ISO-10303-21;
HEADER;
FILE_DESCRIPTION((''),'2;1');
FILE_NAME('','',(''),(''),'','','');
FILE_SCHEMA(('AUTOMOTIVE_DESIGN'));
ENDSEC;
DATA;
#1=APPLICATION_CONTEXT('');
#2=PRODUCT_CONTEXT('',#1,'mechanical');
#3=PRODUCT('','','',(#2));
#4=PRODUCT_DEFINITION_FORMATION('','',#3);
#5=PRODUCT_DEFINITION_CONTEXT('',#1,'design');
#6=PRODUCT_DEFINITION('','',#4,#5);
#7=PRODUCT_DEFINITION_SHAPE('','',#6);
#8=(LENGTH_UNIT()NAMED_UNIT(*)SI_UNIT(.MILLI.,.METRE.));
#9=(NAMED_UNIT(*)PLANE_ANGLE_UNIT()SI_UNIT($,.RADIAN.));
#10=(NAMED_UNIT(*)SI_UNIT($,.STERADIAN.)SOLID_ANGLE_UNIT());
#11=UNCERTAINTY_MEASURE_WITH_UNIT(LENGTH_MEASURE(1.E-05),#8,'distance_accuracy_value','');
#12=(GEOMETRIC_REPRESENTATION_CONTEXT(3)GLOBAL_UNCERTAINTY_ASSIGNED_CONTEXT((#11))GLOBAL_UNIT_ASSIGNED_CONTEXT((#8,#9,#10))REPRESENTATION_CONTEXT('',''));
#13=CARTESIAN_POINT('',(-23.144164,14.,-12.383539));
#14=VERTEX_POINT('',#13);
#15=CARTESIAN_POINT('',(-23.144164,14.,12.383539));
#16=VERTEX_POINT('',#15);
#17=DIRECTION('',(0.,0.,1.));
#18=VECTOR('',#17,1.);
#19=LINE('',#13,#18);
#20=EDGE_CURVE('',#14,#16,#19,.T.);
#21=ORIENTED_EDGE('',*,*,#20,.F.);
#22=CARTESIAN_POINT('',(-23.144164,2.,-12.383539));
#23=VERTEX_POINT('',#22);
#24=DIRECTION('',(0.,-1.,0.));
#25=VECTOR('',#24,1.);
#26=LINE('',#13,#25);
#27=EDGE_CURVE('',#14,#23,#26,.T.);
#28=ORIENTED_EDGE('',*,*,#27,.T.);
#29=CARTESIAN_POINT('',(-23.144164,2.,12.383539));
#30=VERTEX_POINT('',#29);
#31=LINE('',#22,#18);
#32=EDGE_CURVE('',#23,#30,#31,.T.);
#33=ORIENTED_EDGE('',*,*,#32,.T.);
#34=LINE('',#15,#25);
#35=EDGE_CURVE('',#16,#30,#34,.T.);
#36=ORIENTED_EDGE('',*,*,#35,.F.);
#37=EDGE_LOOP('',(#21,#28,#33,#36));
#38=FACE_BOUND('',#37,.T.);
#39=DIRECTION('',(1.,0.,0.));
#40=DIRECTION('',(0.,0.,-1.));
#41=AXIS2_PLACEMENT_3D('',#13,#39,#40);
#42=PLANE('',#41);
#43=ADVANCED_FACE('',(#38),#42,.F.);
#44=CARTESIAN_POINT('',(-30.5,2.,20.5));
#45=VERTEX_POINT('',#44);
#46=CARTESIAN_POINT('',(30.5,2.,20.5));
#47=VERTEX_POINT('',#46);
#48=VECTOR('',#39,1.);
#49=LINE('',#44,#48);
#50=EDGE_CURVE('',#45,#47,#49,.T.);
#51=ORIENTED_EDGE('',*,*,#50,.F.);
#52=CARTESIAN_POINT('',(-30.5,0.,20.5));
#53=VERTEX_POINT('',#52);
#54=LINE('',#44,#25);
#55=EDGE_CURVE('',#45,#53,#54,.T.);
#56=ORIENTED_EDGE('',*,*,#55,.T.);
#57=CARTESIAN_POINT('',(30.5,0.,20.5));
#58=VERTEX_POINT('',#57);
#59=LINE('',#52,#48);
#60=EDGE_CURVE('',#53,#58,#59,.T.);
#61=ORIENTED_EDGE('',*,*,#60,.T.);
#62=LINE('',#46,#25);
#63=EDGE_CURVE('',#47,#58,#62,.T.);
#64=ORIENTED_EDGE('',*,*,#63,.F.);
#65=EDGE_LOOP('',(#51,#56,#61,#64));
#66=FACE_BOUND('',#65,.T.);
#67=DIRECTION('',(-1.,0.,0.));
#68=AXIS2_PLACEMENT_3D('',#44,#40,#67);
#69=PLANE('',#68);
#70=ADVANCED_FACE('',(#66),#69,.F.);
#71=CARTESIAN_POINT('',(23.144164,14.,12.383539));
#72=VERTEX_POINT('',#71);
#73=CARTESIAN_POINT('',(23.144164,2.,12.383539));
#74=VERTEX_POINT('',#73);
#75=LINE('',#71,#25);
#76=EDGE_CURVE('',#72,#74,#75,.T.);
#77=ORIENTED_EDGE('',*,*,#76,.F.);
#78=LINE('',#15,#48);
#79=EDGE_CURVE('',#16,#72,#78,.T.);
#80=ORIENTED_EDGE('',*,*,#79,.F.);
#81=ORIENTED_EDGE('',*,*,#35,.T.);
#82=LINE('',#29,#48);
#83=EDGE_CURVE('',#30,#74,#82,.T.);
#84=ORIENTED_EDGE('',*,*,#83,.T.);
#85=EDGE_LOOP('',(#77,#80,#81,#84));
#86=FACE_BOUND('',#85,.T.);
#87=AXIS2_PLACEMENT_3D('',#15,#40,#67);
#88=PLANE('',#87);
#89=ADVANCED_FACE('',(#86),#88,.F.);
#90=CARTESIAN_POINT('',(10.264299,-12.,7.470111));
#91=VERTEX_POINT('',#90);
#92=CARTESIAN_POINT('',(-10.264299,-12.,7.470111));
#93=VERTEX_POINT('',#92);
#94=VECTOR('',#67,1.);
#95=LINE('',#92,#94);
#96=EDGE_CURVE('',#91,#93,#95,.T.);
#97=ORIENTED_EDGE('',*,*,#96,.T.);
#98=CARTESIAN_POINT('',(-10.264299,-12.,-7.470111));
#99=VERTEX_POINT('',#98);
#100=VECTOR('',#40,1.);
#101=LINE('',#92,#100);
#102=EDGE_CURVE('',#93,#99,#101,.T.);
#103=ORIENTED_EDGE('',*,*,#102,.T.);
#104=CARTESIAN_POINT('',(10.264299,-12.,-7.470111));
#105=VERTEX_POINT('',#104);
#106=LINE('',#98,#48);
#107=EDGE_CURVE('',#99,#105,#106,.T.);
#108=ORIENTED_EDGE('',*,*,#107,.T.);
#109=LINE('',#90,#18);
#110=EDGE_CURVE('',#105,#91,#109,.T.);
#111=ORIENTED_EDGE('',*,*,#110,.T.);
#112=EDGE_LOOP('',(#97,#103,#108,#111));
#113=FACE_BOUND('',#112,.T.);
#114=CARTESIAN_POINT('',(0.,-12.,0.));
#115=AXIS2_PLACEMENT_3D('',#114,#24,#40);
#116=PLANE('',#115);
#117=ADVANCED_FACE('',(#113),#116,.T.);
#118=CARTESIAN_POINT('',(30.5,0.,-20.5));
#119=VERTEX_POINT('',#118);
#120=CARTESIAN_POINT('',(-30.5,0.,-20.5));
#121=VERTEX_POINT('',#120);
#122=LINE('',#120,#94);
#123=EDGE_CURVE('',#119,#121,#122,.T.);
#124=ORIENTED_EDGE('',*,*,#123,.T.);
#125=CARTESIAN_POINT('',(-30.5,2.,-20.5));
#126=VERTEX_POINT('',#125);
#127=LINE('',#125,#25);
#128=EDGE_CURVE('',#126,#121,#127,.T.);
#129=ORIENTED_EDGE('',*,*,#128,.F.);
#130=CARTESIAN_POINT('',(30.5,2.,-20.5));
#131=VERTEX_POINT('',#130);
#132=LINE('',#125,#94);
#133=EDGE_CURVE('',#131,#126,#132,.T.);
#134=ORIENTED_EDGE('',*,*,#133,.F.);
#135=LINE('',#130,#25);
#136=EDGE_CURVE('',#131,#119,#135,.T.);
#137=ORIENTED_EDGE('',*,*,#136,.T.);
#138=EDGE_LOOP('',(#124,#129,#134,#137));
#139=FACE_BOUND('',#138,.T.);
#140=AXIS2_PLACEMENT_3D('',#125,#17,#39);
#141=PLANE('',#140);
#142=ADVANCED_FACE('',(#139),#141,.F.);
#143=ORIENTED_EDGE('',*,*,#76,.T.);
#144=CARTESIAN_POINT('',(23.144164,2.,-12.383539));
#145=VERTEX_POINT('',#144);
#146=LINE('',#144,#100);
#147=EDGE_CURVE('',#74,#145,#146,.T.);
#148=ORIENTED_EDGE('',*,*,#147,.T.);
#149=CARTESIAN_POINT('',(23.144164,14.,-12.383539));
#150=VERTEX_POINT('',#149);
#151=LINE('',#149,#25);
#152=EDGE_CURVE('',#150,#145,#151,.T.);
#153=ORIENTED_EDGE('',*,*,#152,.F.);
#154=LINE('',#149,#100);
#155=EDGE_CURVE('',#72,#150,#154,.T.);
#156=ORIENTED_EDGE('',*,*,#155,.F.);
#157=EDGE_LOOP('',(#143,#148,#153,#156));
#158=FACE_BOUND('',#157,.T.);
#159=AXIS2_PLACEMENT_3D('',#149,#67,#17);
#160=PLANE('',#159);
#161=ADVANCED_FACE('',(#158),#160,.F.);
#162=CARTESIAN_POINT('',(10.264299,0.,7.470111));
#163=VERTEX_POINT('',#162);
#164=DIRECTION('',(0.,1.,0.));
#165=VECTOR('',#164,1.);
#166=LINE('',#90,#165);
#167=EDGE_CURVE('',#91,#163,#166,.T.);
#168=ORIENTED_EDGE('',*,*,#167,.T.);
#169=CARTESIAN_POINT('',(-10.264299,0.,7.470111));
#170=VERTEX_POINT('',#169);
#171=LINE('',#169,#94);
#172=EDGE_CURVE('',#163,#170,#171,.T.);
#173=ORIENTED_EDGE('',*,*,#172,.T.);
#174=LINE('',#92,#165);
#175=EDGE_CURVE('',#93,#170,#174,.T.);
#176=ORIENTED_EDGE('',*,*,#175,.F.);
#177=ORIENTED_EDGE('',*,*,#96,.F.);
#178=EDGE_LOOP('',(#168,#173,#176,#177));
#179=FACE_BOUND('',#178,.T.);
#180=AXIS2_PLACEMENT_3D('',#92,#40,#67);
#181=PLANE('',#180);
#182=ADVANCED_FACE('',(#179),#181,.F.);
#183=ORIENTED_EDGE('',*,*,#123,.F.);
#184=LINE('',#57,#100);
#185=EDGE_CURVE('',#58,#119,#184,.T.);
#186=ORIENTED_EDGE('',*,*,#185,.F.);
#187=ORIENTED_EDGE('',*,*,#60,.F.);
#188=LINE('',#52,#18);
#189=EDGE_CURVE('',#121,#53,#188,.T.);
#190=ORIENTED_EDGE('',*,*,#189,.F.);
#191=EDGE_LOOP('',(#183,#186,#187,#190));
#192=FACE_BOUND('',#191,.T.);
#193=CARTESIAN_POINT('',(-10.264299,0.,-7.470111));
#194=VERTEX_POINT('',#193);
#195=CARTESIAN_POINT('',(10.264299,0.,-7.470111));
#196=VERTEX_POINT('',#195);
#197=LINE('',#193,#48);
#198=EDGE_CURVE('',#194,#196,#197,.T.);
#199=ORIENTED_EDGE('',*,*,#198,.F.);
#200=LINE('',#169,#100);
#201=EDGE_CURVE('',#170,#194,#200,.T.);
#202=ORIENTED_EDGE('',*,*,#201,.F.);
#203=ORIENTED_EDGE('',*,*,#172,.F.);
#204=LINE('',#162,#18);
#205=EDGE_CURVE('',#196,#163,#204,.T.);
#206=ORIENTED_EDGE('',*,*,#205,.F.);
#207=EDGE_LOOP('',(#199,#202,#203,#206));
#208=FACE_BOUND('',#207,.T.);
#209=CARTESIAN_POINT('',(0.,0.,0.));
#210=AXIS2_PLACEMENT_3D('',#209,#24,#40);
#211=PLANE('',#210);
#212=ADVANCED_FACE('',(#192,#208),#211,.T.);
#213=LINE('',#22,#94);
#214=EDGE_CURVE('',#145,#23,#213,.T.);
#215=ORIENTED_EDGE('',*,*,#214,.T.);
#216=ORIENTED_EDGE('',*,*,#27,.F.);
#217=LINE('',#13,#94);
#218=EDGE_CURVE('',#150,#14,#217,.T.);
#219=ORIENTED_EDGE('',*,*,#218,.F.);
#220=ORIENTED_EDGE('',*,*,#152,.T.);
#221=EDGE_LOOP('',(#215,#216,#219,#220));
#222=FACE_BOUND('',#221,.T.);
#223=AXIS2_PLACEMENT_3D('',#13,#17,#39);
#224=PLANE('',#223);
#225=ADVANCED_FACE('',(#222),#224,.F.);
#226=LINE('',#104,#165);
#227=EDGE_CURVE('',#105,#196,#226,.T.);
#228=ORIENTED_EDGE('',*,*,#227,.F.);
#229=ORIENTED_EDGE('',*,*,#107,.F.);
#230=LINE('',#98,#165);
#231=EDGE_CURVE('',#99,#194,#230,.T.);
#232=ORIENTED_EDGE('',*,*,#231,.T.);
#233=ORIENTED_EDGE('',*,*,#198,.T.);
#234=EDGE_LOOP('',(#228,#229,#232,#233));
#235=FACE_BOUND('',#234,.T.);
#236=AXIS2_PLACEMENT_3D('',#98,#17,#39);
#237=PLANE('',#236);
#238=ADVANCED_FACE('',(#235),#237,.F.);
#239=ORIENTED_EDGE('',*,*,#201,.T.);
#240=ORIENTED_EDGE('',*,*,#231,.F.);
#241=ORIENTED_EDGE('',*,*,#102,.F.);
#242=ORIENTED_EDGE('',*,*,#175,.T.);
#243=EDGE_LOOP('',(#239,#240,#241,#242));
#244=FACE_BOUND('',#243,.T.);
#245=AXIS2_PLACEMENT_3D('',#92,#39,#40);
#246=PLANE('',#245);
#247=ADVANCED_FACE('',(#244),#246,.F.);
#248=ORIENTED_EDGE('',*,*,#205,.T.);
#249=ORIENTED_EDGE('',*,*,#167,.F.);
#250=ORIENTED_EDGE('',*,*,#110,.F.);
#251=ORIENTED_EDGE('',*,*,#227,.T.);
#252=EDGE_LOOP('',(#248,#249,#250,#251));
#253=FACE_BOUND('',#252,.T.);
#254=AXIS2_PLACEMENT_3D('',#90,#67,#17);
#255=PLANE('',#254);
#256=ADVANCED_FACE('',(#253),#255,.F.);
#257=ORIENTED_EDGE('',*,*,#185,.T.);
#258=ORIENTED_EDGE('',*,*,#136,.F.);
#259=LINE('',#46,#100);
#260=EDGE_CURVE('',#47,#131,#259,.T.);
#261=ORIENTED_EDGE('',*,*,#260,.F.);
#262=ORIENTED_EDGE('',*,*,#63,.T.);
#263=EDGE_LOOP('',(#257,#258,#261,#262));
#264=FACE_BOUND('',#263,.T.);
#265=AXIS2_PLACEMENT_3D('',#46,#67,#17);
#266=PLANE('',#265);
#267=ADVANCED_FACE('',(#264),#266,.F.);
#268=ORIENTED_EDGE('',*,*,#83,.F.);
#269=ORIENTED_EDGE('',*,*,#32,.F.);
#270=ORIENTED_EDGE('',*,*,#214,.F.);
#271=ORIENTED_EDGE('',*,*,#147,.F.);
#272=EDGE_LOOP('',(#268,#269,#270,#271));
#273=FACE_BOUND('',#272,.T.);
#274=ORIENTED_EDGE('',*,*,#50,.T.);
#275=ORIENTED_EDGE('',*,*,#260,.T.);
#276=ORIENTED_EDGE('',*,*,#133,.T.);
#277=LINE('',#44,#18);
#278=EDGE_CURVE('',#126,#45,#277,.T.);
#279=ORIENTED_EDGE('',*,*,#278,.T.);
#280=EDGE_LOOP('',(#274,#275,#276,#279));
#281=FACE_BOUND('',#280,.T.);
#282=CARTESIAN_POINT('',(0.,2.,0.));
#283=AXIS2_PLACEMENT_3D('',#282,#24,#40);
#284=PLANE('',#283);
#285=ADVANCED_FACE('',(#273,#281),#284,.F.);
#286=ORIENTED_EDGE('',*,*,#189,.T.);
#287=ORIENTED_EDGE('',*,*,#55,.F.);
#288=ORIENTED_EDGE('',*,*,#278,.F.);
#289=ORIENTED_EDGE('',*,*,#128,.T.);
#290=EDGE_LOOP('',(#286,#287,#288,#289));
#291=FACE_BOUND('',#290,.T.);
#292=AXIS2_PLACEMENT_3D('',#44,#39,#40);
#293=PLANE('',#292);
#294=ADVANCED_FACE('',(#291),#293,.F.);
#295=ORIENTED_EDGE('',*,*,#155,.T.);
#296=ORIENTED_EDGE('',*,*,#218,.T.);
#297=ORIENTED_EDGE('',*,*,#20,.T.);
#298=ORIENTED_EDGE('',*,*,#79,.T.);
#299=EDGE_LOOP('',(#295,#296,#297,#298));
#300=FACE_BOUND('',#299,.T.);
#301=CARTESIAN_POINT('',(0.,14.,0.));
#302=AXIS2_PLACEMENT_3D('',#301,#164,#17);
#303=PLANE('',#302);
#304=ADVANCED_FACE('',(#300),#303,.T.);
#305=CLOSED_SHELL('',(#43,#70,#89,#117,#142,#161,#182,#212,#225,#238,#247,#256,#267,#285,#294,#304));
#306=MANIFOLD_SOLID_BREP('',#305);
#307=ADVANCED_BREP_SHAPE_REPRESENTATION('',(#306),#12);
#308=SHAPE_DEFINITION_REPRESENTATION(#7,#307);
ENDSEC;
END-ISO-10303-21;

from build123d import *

# Parameters (mm, degrees)
SKETCH1_W           = 61
SKETCH1_H           = 41
BOSS_EXTRUDE1_DEPTH = 2
SKETCH2_W           = 46.288327706
SKETCH2_H           = 24.767077782
BOSS_EXTRUDE2_DEPTH = 12
SKETCH3_W           = 20.528597362
SKETCH3_H           = 14.9402222
BOSS_EXTRUDE3_DEPTH = 12


with BuildPart() as part:
    # Sketch1 → Boss-Extrude1 (new body)
    with BuildSketch(Plane(origin=(0, 0, 0), x_dir=(1, 0, 0), z_dir=(0, 1, 0))):
        Rectangle(SKETCH1_W, SKETCH1_H)
    extrude(amount=BOSS_EXTRUDE1_DEPTH)

    # Sketch2 → Boss-Extrude2 (add)
    with BuildSketch(Plane(origin=(0, 2, 0), x_dir=(1, 0, 0), z_dir=(0, 1, 0))):
        Rectangle(SKETCH2_W, SKETCH2_H)
    extrude(amount=BOSS_EXTRUDE2_DEPTH)

    # Sketch3 → Boss-Extrude3 (add)
    with BuildSketch(Plane.XZ):
        Rectangle(SKETCH3_W, SKETCH3_H)
    extrude(amount=BOSS_EXTRUDE3_DEPTH)


solid = part.part
